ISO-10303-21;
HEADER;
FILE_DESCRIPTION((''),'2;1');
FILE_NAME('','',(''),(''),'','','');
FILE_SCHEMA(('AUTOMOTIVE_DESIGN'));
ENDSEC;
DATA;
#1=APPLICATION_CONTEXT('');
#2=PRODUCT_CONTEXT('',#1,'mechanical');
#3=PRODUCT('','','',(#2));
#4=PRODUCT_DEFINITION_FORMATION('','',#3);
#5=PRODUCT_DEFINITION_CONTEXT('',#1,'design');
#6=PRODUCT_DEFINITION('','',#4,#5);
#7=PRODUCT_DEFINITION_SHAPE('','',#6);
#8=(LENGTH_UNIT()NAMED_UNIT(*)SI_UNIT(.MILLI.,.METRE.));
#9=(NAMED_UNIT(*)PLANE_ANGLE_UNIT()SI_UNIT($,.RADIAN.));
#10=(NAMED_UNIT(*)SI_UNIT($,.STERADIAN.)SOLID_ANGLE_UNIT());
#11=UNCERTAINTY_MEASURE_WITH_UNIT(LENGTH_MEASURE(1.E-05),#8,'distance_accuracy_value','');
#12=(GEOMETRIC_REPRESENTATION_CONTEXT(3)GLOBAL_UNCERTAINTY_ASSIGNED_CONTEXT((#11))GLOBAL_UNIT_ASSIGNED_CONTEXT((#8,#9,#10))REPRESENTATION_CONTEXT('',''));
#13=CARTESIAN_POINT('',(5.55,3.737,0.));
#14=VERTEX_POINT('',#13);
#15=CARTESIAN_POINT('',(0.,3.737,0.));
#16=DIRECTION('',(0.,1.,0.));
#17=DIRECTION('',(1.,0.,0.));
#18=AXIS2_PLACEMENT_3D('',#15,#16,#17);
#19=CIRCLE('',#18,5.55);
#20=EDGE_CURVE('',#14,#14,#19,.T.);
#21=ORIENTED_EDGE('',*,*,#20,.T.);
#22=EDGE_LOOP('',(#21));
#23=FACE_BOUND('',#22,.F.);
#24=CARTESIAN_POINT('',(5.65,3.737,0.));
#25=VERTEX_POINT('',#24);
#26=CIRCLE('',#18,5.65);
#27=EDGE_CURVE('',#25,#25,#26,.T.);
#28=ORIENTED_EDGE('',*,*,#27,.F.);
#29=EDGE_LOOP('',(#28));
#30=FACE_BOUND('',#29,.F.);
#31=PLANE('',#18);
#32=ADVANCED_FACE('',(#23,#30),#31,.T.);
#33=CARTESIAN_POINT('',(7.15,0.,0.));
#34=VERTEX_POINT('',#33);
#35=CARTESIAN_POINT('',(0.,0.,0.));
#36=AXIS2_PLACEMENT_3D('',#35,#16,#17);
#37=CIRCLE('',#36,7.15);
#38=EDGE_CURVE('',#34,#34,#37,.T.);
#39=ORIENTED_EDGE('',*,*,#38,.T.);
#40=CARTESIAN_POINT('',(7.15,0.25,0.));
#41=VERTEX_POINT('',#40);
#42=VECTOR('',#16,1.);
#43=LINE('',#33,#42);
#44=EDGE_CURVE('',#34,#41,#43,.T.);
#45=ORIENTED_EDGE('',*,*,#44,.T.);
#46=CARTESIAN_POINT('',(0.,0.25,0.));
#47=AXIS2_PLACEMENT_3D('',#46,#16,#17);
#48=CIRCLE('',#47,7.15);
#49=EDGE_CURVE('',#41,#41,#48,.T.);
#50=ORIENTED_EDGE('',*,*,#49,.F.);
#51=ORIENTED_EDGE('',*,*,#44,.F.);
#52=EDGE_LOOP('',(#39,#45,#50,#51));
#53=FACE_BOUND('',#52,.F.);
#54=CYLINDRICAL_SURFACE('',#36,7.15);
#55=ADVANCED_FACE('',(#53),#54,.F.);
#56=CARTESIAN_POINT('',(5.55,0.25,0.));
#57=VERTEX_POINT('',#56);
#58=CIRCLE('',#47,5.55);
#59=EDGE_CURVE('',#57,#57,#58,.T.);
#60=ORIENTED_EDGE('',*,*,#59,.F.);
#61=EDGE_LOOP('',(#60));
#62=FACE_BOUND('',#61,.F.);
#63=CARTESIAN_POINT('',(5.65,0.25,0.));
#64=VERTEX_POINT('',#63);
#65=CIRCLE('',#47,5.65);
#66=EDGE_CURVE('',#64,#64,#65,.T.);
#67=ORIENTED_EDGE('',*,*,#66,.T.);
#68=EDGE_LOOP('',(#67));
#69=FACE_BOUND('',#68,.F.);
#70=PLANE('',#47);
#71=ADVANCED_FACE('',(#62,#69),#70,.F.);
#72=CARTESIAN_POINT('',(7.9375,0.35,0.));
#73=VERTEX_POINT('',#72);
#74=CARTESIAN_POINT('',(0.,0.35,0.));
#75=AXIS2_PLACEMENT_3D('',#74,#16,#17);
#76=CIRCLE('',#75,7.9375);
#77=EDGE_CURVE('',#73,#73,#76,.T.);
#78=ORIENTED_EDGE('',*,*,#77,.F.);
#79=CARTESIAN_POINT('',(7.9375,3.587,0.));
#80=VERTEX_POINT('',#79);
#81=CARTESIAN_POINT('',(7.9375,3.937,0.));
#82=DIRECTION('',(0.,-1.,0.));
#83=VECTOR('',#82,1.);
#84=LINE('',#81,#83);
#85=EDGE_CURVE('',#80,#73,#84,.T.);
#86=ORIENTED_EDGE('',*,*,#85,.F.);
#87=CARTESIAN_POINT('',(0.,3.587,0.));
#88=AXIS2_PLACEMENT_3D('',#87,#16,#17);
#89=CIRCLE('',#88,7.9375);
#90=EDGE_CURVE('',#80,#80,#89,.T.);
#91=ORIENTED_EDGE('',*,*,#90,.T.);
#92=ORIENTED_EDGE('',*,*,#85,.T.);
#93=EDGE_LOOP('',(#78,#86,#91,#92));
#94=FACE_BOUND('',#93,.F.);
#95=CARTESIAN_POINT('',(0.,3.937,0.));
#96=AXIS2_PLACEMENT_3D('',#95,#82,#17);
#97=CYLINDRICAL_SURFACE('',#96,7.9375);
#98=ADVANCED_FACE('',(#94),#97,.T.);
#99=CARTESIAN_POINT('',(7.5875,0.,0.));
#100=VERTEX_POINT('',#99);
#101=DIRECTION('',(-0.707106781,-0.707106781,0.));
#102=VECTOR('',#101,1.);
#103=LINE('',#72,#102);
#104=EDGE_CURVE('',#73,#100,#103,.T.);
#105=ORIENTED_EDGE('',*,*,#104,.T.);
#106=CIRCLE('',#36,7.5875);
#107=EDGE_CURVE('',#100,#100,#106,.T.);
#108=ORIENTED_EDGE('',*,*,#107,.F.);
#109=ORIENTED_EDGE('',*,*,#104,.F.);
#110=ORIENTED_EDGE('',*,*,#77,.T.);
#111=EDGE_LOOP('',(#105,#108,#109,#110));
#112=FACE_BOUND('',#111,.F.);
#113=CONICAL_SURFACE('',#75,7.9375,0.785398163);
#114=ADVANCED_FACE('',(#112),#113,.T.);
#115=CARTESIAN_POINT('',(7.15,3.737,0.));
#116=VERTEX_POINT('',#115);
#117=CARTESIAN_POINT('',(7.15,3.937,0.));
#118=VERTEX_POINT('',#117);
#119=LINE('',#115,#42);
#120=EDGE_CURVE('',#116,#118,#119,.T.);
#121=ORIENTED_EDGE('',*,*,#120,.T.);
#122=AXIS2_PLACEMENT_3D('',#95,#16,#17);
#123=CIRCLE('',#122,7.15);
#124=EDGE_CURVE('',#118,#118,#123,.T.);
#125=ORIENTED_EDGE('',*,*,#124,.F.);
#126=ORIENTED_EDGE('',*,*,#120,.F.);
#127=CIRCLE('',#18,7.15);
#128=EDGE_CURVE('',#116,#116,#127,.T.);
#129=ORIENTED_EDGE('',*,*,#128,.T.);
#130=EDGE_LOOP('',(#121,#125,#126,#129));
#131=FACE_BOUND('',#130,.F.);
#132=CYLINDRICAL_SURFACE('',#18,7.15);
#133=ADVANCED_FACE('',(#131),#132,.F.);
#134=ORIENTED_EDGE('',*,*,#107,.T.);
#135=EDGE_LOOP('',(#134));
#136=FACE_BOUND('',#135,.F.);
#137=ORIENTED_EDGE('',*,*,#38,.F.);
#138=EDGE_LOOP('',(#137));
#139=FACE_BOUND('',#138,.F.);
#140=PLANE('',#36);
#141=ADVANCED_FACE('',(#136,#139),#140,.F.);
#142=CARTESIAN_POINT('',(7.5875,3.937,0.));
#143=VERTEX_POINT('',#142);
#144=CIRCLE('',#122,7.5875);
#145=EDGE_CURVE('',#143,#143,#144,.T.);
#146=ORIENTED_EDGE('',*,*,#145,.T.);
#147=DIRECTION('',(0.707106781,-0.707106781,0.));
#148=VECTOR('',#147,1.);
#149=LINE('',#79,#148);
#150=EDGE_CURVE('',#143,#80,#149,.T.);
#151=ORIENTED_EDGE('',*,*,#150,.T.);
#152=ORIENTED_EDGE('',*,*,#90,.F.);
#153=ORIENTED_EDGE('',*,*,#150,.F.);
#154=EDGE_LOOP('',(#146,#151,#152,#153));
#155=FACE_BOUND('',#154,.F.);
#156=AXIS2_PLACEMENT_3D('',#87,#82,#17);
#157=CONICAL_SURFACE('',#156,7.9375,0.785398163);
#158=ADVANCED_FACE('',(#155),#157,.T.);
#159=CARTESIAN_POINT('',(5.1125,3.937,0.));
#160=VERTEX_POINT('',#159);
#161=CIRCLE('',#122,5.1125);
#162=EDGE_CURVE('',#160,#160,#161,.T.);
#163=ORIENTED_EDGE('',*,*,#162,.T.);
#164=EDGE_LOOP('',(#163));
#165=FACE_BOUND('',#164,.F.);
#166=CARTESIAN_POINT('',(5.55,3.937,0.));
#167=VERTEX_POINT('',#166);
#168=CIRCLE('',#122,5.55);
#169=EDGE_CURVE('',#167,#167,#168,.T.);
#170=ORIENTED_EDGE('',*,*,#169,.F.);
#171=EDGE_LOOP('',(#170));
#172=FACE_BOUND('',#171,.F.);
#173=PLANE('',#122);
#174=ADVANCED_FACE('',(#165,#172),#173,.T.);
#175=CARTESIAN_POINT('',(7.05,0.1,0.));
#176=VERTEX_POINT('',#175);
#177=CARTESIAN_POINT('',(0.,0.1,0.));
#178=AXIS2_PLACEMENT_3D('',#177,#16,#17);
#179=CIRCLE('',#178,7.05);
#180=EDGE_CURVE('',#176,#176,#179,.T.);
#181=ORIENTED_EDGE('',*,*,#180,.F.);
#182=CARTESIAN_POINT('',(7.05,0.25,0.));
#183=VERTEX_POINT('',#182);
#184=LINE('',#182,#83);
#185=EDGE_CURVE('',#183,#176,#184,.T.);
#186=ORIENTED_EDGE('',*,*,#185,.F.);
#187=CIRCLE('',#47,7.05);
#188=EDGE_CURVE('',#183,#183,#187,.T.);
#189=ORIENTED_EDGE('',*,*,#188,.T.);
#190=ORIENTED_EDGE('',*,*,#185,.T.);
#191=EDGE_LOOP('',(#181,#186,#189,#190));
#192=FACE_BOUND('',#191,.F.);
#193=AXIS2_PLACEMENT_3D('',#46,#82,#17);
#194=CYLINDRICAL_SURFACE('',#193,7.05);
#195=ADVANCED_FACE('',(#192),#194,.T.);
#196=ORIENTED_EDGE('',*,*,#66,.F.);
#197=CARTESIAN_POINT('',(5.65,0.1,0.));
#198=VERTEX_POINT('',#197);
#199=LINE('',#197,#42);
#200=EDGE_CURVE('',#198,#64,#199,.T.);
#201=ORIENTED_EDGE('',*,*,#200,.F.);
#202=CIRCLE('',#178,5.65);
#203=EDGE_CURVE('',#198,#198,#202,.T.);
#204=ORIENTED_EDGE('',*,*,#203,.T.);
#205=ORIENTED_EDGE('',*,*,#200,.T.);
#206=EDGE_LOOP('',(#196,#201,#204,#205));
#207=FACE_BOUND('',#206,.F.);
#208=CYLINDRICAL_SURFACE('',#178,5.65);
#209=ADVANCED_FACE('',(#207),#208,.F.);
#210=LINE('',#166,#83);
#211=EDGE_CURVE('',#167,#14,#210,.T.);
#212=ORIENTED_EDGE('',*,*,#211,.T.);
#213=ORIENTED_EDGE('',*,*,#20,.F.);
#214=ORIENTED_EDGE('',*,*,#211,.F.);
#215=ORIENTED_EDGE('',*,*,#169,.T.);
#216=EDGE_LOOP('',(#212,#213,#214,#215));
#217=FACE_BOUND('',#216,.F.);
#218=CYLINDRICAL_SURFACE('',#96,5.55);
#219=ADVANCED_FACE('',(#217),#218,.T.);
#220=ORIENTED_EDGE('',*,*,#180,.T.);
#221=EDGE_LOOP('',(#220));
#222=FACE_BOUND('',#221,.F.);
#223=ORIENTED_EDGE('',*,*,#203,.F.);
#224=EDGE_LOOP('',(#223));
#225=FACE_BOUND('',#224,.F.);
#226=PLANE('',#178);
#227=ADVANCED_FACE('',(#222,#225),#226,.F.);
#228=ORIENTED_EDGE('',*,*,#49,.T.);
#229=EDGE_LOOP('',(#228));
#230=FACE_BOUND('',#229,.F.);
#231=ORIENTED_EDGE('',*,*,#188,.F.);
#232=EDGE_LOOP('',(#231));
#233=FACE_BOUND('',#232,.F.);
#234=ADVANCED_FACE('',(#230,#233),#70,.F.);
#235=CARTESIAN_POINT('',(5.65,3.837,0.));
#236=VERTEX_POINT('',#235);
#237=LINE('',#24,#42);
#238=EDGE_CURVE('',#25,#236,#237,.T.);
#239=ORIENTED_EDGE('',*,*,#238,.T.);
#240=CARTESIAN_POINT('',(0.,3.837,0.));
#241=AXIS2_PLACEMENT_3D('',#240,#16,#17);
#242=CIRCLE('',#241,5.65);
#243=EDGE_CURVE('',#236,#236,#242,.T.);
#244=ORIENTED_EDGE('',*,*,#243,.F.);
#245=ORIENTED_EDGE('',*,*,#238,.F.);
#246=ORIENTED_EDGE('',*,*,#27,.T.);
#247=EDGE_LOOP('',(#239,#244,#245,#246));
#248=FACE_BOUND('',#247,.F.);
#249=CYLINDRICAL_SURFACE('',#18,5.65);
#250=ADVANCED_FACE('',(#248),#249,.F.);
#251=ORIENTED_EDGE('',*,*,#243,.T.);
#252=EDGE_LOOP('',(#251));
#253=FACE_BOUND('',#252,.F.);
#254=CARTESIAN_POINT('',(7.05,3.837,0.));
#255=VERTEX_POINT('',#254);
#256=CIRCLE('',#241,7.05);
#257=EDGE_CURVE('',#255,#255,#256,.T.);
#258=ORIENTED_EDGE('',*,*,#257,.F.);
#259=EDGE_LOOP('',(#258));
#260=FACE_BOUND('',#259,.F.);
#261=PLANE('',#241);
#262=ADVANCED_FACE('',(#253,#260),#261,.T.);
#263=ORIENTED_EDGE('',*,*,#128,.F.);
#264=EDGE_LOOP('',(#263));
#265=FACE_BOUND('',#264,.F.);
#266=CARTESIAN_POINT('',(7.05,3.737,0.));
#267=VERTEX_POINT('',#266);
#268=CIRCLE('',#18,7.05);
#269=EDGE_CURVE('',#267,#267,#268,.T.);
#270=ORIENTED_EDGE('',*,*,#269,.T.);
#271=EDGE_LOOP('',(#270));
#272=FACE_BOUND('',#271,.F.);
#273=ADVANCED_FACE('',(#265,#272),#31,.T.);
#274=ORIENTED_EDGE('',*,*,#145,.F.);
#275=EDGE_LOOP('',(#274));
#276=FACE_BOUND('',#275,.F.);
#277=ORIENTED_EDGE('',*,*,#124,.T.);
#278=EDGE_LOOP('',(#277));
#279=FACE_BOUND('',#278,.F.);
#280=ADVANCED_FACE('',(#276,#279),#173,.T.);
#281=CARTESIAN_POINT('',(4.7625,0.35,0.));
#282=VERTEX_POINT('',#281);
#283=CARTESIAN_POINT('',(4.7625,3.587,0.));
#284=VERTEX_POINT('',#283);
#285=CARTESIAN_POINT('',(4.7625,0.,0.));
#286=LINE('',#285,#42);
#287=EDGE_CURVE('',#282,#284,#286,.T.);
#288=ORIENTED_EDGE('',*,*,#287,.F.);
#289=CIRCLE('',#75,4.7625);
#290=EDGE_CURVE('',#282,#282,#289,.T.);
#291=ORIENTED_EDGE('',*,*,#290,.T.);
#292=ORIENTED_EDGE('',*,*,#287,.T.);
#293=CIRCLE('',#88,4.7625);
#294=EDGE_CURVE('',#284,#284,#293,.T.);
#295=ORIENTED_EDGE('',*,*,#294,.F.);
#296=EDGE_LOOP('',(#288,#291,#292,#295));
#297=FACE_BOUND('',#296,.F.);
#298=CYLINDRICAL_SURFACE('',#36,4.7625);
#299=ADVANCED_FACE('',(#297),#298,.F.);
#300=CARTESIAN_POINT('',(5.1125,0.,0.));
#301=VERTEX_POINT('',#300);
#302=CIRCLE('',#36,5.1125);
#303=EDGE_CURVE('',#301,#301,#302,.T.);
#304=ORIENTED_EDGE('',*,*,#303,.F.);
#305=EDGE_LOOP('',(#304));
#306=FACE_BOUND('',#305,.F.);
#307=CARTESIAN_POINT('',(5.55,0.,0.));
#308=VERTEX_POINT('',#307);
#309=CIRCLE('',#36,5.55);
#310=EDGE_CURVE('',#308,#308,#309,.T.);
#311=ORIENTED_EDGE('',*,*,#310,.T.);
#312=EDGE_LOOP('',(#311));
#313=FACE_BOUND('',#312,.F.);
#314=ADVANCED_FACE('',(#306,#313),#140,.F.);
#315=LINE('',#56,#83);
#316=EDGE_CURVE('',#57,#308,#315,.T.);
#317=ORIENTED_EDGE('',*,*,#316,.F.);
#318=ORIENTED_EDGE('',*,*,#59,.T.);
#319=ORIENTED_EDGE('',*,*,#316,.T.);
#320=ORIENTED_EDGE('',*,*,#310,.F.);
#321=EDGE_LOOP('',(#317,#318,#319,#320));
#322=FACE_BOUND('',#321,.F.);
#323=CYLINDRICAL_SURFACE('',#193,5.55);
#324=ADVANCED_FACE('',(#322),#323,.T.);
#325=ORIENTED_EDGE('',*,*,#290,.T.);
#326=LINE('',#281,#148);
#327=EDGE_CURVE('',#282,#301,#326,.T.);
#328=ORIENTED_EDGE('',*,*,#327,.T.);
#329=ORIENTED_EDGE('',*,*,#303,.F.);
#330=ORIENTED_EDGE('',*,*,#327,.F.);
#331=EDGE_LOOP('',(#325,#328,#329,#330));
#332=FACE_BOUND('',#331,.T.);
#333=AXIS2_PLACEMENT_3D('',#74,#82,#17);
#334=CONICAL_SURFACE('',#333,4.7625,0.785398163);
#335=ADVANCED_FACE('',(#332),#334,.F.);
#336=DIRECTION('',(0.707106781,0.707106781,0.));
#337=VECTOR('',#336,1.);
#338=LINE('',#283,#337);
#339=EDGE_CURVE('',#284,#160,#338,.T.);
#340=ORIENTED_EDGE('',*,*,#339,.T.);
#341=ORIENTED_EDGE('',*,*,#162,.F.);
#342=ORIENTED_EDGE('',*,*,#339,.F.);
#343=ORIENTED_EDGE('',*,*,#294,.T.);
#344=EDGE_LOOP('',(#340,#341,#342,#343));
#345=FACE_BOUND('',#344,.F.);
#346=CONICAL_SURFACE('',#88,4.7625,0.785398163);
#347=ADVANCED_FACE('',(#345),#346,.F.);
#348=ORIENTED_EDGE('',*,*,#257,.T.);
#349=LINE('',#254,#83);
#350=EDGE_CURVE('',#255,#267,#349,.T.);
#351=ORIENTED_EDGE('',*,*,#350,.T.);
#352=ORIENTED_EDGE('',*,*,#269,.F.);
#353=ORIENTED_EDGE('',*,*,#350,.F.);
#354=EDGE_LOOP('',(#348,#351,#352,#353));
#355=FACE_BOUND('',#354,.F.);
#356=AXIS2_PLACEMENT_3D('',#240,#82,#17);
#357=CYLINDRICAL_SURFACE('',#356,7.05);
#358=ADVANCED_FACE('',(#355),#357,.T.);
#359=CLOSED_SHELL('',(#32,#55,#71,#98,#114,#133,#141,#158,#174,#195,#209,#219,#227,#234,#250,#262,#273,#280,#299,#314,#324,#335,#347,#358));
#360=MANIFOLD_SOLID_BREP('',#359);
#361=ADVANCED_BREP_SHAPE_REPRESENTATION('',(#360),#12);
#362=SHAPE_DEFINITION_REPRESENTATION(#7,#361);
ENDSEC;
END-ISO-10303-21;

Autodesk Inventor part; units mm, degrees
ref_plane "YZ Plane" through (0, 0, 0) normal (1, 0, 0) x (0, 1, 0)
ref_plane "XZ Plane" through (0, 0, 0) normal (0, 1, 0) x (-1, 0, 0)
ref_plane "XY Plane" through (0, 0, 0) normal (0, 0, 1) x (1, 0, 0)
sketch "Sketch1" plane through (0, 0, 0) normal (0, 0, 1) x (1, 0, 0)
  line L0 (0, 0) -> (0, 3.1469)
  line L1 (4.7625, 0) -> (4.7625, 3.937)
  line L2 (4.7625, 3.937) -> (5.55, 3.937)
  line L3 (5.55, 3.937) -> (5.55, 3.737)
  line L4 (5.55, 3.737) -> (5.65, 3.737)
  line L5 (5.65, 3.737) -> (5.65, 3.837)
  line L6 (5.65, 3.837) -> (7.05, 3.837)
  line L7 (7.05, 3.837) -> (7.05, 3.737)
  line L8 (7.05, 3.737) -> (7.15, 3.737)
  line L9 (7.15, 3.737) -> (7.15, 3.937)
  line L10 (7.15, 3.937) -> (7.9375, 3.937)
  line L11 (7.9375, 3.937) -> (7.9375, 0)
  line L12 (7.9375, 0) -> (7.15, 0)
  line L13 (7.15, 0) -> (7.15, 0.25)
  line L14 (7.15, 0.25) -> (7.05, 0.25)
  line L15 (7.05, 0.25) -> (7.05, 0.1)
  line L16 (7.05, 0.1) -> (5.65, 0.1)
  line L17 (5.65, 0.1) -> (5.65, 0.25)
  line L18 (5.65, 0.25) -> (5.55, 0.25)
  line L19 (5.55, 0.25) -> (5.55, 0)
  line L20 (5.55, 0) -> (4.7625, 0)
  line L21 (4.7625, 1.9685) -> (7.9375, 1.9685) construction
  point P0 (6.35, 0.1)
  point P1 (6.35, 1.9685)
  dimension "d0" = 9.525
  dimension "d1" = 3.937
  dimension "d2" = 15.875
  dimension "d3" = 0.1
  dimension "d4" = 0.25
  dimension "d5" = 0.1
  dimension "d6" = 0.1
  dimension "d7" = 1.4
  dimension "d8" = 0.2
revolve "Revolution1" add sketch "Sketch1" angle 360 about axis through (0, 0, 0) along (0, 1, 0)
chamfer "Chamfer1" distance 0.35 angle 45 4 edges at (-4.7625, 3.937, 0) (-7.9375, 3.937, 0) (-7.9375, 0, 0) (-4.7625, 0, 0)
properties part number "R1038_ZZ_W Bearing" material "Stainless Steel"
